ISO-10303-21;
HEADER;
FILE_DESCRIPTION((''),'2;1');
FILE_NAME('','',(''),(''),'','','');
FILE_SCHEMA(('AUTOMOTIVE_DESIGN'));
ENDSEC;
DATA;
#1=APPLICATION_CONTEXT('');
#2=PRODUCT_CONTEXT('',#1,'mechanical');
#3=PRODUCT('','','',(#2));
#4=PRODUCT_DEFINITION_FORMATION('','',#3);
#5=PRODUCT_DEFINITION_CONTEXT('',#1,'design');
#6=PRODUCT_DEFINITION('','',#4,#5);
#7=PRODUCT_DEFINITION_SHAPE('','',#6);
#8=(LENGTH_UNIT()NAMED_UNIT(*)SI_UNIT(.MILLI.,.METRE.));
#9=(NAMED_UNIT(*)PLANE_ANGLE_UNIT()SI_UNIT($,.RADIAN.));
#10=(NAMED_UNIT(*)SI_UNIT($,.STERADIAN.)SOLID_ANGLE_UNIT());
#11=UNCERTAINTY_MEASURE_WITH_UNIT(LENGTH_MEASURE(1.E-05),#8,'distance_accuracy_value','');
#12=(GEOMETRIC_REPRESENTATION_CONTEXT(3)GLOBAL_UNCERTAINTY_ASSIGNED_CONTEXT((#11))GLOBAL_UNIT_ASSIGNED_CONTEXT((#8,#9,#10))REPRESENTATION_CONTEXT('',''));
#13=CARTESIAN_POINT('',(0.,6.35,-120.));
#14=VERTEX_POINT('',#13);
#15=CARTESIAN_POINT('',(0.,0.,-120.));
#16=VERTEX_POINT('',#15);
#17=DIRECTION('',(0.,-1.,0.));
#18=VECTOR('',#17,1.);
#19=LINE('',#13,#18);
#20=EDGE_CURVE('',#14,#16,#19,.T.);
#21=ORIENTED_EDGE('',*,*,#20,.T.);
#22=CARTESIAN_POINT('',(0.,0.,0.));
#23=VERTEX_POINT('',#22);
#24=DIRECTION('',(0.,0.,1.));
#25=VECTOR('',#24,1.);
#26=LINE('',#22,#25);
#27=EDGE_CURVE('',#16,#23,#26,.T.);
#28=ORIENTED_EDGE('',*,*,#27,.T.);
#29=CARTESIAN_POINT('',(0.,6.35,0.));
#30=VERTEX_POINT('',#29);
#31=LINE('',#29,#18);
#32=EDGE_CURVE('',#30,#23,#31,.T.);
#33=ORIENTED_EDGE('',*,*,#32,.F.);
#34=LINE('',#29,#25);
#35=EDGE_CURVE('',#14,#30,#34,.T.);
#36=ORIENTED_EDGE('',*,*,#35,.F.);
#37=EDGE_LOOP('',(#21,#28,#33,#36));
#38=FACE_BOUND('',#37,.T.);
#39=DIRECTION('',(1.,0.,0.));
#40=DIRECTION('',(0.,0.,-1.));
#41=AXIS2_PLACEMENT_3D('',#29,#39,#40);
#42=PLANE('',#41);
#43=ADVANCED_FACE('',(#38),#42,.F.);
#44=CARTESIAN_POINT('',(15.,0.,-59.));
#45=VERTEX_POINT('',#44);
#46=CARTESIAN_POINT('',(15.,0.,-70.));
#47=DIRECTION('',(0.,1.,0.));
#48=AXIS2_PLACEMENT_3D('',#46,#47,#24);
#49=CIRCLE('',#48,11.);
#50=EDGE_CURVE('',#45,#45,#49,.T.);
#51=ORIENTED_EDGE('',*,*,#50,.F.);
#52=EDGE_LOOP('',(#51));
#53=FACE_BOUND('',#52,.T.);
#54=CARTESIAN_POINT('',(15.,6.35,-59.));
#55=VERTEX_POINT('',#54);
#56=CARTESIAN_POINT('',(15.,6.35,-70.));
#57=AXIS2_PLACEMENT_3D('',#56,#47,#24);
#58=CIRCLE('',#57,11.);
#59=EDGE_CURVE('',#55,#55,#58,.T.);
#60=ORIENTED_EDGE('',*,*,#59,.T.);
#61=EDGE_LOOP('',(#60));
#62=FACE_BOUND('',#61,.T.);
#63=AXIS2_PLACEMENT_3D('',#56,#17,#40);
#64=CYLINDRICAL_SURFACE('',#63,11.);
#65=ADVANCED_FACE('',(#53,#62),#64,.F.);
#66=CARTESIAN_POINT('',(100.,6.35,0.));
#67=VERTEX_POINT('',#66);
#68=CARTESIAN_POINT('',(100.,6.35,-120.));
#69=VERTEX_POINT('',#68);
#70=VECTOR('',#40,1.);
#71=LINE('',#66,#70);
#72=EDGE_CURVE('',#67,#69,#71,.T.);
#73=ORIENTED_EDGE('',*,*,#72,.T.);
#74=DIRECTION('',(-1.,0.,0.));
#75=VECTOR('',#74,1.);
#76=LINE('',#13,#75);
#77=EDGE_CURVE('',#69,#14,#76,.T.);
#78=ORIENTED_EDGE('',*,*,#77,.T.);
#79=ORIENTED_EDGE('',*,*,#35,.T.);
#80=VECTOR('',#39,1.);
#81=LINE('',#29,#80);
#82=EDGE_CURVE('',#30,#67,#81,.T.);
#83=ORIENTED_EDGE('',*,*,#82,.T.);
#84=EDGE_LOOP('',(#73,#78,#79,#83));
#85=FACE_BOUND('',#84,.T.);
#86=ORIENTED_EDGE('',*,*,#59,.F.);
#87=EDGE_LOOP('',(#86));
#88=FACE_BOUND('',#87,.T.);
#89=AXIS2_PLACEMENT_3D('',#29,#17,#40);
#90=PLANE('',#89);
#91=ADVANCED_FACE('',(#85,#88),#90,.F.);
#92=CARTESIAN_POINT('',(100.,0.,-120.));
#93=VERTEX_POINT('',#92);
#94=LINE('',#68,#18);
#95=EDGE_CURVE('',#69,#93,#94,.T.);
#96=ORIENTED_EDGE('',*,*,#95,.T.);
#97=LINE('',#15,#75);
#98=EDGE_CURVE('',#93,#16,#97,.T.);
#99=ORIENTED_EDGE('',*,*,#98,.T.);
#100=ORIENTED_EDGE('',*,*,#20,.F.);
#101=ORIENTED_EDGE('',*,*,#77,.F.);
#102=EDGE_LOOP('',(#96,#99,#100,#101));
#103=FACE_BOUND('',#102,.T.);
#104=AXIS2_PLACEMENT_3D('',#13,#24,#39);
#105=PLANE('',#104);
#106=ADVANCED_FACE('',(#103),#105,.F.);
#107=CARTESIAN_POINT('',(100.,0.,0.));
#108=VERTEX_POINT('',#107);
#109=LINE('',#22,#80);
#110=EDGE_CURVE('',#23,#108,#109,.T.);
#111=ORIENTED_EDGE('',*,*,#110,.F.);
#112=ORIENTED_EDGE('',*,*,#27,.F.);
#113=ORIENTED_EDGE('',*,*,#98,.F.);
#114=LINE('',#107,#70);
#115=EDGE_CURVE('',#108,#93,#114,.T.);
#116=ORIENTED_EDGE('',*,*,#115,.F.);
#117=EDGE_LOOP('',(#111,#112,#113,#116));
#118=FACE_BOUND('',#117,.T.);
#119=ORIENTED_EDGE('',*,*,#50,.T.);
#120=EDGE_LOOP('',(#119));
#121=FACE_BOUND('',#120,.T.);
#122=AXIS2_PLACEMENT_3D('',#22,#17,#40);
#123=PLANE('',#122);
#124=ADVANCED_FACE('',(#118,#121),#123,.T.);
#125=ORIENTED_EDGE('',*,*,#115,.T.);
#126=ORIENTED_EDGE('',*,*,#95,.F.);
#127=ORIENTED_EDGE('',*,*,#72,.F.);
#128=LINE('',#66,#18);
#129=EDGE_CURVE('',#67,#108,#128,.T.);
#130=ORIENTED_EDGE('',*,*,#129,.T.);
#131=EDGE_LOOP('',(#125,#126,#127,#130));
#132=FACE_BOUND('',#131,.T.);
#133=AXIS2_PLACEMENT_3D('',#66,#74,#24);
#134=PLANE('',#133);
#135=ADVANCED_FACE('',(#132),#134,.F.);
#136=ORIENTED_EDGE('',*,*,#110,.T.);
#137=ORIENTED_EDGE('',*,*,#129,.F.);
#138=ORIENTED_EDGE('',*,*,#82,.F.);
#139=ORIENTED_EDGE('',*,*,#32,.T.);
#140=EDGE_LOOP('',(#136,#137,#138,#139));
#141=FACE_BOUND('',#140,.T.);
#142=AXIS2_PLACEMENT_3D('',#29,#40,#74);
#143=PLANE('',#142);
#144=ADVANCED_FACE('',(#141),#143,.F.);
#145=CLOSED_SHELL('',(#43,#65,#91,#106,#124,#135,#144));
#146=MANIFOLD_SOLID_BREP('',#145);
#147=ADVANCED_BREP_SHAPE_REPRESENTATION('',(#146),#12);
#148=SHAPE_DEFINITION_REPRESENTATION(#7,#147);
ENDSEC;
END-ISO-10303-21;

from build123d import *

# Parameters (mm, degrees)
SKETCH1_W           = 100
SKETCH1_H           = 120
SKETCH1_R           = 11
BOSS_EXTRUDE1_DEPTH = 6.35


with BuildPart() as part:
    # Sketch1 → Boss-Extrude1 (new body)
    with BuildSketch(Plane(origin=(0, 0, 0), x_dir=(1, 0, 0), z_dir=(0, 1, 0))):
        with Locations((50, 60)):
            Rectangle(SKETCH1_W, SKETCH1_H)
        with Locations(Location((15, 70, 0), (0, 0, 270))):
            Circle(SKETCH1_R, mode=Mode.SUBTRACT)
    extrude(amount=BOSS_EXTRUDE1_DEPTH)


solid = part.part
